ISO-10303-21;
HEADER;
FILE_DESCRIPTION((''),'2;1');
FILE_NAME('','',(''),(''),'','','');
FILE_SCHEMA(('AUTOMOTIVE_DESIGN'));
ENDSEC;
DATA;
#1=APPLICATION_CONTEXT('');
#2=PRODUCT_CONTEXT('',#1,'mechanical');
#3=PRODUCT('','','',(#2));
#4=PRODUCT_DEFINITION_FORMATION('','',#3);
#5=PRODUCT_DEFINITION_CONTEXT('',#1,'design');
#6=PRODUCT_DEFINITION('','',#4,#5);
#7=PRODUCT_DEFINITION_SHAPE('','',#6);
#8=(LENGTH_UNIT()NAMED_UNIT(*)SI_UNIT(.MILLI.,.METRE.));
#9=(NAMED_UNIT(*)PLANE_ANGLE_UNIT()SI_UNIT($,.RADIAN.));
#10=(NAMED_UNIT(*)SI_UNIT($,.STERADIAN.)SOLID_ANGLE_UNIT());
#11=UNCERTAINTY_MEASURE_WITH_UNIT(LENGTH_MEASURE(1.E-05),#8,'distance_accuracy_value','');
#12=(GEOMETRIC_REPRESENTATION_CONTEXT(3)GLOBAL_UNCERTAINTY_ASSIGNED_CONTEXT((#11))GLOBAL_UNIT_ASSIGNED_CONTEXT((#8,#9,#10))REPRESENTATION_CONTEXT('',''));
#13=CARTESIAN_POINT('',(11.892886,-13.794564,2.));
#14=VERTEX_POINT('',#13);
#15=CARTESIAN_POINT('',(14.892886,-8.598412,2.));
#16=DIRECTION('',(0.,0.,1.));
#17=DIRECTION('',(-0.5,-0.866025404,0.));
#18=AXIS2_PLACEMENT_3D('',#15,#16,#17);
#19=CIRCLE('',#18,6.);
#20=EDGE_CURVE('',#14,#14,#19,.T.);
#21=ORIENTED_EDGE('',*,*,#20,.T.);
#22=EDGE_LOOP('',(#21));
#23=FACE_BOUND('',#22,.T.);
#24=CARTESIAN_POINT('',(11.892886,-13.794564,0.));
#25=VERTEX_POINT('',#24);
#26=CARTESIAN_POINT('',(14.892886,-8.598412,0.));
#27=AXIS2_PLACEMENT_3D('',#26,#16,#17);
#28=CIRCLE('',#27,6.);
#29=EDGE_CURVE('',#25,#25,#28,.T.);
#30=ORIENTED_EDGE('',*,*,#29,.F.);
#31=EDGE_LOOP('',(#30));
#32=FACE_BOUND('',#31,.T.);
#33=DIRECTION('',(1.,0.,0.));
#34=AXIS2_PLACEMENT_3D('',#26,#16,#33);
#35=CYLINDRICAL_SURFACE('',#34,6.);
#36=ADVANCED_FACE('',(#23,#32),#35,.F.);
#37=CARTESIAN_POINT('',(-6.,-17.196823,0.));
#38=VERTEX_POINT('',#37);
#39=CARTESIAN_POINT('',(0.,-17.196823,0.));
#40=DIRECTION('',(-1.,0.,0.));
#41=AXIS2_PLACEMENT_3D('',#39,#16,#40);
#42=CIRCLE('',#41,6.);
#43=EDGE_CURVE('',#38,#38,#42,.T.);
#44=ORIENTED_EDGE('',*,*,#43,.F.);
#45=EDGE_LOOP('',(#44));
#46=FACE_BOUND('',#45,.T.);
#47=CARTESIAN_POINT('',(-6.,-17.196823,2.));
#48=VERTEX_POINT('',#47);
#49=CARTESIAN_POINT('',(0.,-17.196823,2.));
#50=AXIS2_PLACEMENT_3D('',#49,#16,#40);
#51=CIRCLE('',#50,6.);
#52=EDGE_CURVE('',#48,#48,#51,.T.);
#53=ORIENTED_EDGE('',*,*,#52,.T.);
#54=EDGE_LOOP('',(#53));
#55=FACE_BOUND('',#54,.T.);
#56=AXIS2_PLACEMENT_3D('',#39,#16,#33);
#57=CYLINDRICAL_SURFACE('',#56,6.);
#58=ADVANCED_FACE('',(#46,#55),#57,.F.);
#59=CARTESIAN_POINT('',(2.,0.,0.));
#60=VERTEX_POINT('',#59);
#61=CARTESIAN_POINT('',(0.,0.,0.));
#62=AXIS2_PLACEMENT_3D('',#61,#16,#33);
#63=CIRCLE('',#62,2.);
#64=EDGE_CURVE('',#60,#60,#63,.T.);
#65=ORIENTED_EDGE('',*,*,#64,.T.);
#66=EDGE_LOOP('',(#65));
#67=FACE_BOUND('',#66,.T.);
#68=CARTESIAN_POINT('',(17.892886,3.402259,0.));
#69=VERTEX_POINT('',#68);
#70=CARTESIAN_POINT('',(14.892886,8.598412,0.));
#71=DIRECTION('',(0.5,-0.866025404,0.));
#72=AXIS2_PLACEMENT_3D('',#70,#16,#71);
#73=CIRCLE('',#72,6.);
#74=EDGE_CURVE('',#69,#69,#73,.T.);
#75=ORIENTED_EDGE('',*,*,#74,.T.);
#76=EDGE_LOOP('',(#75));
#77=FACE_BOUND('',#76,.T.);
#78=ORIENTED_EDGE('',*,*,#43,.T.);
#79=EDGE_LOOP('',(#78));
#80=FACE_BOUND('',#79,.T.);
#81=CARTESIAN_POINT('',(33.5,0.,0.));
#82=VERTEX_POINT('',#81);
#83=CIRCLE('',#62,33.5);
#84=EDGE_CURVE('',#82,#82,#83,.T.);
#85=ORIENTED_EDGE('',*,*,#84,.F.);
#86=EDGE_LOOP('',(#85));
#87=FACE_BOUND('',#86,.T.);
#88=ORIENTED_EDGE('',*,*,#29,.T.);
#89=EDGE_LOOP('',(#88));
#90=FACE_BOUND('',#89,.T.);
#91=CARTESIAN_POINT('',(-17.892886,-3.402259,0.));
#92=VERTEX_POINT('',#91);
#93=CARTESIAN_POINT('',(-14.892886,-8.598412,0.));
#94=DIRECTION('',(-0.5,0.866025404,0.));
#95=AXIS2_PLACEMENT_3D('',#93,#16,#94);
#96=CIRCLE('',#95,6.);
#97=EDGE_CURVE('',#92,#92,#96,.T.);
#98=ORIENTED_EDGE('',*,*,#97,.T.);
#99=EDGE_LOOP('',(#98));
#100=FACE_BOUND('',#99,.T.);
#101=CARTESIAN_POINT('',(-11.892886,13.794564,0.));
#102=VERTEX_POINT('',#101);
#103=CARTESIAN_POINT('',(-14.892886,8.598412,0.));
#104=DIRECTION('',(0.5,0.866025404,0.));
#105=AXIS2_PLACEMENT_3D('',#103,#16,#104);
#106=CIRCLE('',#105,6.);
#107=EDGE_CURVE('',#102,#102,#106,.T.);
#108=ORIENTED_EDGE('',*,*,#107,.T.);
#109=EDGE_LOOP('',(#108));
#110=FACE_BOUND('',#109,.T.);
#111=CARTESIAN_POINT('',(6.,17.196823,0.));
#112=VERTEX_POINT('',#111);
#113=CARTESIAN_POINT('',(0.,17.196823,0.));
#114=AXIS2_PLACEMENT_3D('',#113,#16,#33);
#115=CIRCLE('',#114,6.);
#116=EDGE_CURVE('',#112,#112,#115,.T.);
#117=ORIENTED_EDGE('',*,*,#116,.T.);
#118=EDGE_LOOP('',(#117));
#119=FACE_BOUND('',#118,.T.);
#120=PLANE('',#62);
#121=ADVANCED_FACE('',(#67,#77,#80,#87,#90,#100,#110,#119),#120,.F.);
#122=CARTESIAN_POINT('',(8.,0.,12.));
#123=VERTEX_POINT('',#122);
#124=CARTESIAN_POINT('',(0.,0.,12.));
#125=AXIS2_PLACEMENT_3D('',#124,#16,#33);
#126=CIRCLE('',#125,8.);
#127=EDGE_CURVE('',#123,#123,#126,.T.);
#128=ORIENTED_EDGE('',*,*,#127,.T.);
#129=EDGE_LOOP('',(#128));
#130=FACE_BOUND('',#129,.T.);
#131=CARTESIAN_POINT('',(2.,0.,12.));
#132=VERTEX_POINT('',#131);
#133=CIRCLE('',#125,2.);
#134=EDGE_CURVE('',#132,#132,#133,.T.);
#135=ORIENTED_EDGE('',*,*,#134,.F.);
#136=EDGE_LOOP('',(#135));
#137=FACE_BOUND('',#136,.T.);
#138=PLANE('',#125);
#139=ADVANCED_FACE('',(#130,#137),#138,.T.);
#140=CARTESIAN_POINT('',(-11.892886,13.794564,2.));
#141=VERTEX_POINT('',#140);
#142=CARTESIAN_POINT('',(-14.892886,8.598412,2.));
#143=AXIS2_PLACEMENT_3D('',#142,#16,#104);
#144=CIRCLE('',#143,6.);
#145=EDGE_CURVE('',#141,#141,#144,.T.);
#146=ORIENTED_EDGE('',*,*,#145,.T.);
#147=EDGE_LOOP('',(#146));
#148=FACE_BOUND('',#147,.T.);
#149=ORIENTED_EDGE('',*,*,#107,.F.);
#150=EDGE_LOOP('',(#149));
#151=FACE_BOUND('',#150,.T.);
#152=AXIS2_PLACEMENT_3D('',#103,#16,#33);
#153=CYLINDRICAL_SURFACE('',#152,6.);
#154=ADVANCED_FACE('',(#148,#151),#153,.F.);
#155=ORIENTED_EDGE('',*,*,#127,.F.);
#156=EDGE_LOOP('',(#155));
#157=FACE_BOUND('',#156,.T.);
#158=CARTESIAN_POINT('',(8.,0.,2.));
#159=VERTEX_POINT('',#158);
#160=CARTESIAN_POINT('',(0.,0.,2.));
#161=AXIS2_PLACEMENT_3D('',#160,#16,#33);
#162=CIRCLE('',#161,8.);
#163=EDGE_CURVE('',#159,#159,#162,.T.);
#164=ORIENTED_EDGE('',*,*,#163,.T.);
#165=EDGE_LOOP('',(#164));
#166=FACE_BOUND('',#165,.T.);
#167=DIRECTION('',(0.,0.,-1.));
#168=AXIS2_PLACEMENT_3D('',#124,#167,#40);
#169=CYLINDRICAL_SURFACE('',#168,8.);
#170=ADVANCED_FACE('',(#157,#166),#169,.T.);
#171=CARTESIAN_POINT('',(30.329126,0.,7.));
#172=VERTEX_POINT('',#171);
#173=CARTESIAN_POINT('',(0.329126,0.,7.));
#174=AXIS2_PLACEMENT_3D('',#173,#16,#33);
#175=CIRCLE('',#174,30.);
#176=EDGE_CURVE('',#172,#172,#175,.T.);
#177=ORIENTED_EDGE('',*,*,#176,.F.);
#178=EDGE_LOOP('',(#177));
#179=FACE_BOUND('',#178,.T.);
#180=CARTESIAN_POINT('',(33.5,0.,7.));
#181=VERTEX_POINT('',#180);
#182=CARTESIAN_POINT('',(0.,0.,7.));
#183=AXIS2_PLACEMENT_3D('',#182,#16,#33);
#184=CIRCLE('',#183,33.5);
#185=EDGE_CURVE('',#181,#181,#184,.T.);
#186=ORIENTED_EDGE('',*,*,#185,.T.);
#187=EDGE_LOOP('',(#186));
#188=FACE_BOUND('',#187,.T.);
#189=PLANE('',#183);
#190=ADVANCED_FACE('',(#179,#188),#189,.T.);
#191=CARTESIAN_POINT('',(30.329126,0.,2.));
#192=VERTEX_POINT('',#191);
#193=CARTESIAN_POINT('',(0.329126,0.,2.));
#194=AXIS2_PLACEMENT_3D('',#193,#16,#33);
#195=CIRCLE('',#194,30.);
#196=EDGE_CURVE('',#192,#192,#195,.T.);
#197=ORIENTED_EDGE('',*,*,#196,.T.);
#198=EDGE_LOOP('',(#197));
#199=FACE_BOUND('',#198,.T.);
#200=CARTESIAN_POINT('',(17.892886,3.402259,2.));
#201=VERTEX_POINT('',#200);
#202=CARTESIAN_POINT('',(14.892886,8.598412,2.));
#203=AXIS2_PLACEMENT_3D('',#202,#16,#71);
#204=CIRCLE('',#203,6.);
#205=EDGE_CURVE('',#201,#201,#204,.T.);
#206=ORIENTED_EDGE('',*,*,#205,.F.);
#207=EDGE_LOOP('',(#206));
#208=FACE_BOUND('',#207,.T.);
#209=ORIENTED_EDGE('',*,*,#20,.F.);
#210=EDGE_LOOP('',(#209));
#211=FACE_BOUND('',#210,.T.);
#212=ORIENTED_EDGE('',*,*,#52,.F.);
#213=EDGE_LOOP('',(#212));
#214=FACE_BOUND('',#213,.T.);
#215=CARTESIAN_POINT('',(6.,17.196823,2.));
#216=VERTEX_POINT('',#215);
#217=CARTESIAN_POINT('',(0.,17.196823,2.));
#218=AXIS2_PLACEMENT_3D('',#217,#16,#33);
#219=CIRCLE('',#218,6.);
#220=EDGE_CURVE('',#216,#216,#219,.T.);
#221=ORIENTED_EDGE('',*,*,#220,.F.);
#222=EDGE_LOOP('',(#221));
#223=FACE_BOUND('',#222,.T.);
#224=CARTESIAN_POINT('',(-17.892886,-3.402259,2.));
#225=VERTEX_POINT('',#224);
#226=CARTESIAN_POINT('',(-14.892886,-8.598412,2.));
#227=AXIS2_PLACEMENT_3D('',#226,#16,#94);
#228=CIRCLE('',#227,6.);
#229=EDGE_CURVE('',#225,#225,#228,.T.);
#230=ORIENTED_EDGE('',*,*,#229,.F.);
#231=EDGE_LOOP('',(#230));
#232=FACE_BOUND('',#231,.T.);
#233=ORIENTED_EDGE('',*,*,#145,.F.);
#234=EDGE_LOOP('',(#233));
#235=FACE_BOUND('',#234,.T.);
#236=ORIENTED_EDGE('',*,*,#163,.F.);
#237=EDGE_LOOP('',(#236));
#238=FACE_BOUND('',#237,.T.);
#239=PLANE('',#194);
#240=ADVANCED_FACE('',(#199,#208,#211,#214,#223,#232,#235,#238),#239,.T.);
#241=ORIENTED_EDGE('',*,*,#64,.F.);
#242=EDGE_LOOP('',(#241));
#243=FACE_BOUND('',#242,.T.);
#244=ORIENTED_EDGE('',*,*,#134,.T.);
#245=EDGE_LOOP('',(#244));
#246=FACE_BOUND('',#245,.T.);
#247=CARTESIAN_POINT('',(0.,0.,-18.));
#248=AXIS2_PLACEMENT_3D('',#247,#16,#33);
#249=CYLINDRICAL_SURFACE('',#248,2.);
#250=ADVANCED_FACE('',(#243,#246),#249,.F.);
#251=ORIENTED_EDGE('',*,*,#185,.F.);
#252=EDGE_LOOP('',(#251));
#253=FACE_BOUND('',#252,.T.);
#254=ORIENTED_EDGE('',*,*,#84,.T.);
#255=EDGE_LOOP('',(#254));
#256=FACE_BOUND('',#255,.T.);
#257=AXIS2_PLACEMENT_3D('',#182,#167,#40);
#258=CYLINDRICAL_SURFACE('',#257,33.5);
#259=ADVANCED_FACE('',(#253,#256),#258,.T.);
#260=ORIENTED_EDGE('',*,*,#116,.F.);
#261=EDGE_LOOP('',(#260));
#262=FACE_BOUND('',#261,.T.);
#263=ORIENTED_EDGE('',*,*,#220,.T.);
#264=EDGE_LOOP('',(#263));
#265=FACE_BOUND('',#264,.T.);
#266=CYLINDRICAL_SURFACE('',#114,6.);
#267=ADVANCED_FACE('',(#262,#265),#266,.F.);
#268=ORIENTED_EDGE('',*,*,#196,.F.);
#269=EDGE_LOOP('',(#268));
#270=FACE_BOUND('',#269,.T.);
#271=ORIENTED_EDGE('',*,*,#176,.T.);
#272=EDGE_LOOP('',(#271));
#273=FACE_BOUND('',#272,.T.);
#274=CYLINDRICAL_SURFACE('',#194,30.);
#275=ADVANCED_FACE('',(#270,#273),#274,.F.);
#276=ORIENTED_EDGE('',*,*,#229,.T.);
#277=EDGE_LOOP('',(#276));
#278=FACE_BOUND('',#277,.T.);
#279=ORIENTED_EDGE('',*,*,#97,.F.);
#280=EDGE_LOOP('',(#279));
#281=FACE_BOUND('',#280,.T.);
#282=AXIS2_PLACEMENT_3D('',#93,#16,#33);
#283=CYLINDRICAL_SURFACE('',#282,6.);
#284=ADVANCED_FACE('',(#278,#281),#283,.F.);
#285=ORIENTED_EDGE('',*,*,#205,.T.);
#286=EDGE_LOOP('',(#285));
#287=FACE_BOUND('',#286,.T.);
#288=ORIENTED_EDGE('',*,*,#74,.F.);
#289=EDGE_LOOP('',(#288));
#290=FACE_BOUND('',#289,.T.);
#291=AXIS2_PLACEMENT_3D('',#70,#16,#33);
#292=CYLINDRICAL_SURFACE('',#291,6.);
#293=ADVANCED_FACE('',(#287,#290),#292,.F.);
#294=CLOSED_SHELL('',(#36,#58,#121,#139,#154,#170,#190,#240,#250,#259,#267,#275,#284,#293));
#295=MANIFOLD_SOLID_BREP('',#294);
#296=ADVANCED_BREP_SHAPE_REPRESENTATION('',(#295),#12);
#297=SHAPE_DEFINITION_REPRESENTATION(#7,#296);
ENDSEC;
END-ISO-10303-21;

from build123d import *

# Parameters (mm, degrees)
SKETCH1_R           = 33.5
BOSS_EXTRUDE1_DEPTH = 7
SKETCH2_R           = 30
CUT_EXTRUDE1_DEPTH  = 5
SKETCH3_R           = 8
BOSS_EXTRUDE2_DEPTH = 10
SKETCH4_R           = 2
CUT_EXTRUDE2_DEPTH  = 30
SKETCH5_R           = 6
CUT_EXTRUDE3_DEPTH  = 3
CIRPATTERN1_COUNT   = 6


with BuildPart() as part:
    # Sketch1 → Boss-Extrude1 (new body)
    with BuildSketch(Plane.XY):
        Circle(SKETCH1_R)
    extrude(amount=BOSS_EXTRUDE1_DEPTH)

    # Sketch2 → Cut-Extrude1 (cut)
    with BuildSketch(Plane.XY.offset(7)):
        with Locations((0.329125808, 0)):
            Circle(SKETCH2_R)
    extrude(amount=-CUT_EXTRUDE1_DEPTH, mode=Mode.SUBTRACT)

    # Sketch3 → Boss-Extrude2 (add)
    with BuildSketch(Plane.XY.offset(2)):
        Circle(SKETCH3_R)
    extrude(amount=BOSS_EXTRUDE2_DEPTH)

    # Sketch4 → Cut-Extrude2 (cut)
    with BuildSketch(Plane.XY.offset(12)):
        Circle(SKETCH4_R)
    extrude(amount=-CUT_EXTRUDE2_DEPTH, mode=Mode.SUBTRACT)

    # Sketch5 → Cut-Extrude3 (cut, through all)
    with BuildSketch(Plane.XY.offset(2)):
        with Locations((0, 17.196823471)):
            Circle(SKETCH5_R)
    cut_extrude3 = extrude(amount=-CUT_EXTRUDE3_DEPTH, mode=Mode.SUBTRACT)

    # CirPattern1: Cut-Extrude3 ×6 about axis
    cirpattern1_axis = Axis((0, 0, 0), (0, 0, 1))
    for i in range(1, CIRPATTERN1_COUNT):
        add(cut_extrude3.rotate(cirpattern1_axis, i * 360 / CIRPATTERN1_COUNT), mode=Mode.SUBTRACT)


solid = part.part
